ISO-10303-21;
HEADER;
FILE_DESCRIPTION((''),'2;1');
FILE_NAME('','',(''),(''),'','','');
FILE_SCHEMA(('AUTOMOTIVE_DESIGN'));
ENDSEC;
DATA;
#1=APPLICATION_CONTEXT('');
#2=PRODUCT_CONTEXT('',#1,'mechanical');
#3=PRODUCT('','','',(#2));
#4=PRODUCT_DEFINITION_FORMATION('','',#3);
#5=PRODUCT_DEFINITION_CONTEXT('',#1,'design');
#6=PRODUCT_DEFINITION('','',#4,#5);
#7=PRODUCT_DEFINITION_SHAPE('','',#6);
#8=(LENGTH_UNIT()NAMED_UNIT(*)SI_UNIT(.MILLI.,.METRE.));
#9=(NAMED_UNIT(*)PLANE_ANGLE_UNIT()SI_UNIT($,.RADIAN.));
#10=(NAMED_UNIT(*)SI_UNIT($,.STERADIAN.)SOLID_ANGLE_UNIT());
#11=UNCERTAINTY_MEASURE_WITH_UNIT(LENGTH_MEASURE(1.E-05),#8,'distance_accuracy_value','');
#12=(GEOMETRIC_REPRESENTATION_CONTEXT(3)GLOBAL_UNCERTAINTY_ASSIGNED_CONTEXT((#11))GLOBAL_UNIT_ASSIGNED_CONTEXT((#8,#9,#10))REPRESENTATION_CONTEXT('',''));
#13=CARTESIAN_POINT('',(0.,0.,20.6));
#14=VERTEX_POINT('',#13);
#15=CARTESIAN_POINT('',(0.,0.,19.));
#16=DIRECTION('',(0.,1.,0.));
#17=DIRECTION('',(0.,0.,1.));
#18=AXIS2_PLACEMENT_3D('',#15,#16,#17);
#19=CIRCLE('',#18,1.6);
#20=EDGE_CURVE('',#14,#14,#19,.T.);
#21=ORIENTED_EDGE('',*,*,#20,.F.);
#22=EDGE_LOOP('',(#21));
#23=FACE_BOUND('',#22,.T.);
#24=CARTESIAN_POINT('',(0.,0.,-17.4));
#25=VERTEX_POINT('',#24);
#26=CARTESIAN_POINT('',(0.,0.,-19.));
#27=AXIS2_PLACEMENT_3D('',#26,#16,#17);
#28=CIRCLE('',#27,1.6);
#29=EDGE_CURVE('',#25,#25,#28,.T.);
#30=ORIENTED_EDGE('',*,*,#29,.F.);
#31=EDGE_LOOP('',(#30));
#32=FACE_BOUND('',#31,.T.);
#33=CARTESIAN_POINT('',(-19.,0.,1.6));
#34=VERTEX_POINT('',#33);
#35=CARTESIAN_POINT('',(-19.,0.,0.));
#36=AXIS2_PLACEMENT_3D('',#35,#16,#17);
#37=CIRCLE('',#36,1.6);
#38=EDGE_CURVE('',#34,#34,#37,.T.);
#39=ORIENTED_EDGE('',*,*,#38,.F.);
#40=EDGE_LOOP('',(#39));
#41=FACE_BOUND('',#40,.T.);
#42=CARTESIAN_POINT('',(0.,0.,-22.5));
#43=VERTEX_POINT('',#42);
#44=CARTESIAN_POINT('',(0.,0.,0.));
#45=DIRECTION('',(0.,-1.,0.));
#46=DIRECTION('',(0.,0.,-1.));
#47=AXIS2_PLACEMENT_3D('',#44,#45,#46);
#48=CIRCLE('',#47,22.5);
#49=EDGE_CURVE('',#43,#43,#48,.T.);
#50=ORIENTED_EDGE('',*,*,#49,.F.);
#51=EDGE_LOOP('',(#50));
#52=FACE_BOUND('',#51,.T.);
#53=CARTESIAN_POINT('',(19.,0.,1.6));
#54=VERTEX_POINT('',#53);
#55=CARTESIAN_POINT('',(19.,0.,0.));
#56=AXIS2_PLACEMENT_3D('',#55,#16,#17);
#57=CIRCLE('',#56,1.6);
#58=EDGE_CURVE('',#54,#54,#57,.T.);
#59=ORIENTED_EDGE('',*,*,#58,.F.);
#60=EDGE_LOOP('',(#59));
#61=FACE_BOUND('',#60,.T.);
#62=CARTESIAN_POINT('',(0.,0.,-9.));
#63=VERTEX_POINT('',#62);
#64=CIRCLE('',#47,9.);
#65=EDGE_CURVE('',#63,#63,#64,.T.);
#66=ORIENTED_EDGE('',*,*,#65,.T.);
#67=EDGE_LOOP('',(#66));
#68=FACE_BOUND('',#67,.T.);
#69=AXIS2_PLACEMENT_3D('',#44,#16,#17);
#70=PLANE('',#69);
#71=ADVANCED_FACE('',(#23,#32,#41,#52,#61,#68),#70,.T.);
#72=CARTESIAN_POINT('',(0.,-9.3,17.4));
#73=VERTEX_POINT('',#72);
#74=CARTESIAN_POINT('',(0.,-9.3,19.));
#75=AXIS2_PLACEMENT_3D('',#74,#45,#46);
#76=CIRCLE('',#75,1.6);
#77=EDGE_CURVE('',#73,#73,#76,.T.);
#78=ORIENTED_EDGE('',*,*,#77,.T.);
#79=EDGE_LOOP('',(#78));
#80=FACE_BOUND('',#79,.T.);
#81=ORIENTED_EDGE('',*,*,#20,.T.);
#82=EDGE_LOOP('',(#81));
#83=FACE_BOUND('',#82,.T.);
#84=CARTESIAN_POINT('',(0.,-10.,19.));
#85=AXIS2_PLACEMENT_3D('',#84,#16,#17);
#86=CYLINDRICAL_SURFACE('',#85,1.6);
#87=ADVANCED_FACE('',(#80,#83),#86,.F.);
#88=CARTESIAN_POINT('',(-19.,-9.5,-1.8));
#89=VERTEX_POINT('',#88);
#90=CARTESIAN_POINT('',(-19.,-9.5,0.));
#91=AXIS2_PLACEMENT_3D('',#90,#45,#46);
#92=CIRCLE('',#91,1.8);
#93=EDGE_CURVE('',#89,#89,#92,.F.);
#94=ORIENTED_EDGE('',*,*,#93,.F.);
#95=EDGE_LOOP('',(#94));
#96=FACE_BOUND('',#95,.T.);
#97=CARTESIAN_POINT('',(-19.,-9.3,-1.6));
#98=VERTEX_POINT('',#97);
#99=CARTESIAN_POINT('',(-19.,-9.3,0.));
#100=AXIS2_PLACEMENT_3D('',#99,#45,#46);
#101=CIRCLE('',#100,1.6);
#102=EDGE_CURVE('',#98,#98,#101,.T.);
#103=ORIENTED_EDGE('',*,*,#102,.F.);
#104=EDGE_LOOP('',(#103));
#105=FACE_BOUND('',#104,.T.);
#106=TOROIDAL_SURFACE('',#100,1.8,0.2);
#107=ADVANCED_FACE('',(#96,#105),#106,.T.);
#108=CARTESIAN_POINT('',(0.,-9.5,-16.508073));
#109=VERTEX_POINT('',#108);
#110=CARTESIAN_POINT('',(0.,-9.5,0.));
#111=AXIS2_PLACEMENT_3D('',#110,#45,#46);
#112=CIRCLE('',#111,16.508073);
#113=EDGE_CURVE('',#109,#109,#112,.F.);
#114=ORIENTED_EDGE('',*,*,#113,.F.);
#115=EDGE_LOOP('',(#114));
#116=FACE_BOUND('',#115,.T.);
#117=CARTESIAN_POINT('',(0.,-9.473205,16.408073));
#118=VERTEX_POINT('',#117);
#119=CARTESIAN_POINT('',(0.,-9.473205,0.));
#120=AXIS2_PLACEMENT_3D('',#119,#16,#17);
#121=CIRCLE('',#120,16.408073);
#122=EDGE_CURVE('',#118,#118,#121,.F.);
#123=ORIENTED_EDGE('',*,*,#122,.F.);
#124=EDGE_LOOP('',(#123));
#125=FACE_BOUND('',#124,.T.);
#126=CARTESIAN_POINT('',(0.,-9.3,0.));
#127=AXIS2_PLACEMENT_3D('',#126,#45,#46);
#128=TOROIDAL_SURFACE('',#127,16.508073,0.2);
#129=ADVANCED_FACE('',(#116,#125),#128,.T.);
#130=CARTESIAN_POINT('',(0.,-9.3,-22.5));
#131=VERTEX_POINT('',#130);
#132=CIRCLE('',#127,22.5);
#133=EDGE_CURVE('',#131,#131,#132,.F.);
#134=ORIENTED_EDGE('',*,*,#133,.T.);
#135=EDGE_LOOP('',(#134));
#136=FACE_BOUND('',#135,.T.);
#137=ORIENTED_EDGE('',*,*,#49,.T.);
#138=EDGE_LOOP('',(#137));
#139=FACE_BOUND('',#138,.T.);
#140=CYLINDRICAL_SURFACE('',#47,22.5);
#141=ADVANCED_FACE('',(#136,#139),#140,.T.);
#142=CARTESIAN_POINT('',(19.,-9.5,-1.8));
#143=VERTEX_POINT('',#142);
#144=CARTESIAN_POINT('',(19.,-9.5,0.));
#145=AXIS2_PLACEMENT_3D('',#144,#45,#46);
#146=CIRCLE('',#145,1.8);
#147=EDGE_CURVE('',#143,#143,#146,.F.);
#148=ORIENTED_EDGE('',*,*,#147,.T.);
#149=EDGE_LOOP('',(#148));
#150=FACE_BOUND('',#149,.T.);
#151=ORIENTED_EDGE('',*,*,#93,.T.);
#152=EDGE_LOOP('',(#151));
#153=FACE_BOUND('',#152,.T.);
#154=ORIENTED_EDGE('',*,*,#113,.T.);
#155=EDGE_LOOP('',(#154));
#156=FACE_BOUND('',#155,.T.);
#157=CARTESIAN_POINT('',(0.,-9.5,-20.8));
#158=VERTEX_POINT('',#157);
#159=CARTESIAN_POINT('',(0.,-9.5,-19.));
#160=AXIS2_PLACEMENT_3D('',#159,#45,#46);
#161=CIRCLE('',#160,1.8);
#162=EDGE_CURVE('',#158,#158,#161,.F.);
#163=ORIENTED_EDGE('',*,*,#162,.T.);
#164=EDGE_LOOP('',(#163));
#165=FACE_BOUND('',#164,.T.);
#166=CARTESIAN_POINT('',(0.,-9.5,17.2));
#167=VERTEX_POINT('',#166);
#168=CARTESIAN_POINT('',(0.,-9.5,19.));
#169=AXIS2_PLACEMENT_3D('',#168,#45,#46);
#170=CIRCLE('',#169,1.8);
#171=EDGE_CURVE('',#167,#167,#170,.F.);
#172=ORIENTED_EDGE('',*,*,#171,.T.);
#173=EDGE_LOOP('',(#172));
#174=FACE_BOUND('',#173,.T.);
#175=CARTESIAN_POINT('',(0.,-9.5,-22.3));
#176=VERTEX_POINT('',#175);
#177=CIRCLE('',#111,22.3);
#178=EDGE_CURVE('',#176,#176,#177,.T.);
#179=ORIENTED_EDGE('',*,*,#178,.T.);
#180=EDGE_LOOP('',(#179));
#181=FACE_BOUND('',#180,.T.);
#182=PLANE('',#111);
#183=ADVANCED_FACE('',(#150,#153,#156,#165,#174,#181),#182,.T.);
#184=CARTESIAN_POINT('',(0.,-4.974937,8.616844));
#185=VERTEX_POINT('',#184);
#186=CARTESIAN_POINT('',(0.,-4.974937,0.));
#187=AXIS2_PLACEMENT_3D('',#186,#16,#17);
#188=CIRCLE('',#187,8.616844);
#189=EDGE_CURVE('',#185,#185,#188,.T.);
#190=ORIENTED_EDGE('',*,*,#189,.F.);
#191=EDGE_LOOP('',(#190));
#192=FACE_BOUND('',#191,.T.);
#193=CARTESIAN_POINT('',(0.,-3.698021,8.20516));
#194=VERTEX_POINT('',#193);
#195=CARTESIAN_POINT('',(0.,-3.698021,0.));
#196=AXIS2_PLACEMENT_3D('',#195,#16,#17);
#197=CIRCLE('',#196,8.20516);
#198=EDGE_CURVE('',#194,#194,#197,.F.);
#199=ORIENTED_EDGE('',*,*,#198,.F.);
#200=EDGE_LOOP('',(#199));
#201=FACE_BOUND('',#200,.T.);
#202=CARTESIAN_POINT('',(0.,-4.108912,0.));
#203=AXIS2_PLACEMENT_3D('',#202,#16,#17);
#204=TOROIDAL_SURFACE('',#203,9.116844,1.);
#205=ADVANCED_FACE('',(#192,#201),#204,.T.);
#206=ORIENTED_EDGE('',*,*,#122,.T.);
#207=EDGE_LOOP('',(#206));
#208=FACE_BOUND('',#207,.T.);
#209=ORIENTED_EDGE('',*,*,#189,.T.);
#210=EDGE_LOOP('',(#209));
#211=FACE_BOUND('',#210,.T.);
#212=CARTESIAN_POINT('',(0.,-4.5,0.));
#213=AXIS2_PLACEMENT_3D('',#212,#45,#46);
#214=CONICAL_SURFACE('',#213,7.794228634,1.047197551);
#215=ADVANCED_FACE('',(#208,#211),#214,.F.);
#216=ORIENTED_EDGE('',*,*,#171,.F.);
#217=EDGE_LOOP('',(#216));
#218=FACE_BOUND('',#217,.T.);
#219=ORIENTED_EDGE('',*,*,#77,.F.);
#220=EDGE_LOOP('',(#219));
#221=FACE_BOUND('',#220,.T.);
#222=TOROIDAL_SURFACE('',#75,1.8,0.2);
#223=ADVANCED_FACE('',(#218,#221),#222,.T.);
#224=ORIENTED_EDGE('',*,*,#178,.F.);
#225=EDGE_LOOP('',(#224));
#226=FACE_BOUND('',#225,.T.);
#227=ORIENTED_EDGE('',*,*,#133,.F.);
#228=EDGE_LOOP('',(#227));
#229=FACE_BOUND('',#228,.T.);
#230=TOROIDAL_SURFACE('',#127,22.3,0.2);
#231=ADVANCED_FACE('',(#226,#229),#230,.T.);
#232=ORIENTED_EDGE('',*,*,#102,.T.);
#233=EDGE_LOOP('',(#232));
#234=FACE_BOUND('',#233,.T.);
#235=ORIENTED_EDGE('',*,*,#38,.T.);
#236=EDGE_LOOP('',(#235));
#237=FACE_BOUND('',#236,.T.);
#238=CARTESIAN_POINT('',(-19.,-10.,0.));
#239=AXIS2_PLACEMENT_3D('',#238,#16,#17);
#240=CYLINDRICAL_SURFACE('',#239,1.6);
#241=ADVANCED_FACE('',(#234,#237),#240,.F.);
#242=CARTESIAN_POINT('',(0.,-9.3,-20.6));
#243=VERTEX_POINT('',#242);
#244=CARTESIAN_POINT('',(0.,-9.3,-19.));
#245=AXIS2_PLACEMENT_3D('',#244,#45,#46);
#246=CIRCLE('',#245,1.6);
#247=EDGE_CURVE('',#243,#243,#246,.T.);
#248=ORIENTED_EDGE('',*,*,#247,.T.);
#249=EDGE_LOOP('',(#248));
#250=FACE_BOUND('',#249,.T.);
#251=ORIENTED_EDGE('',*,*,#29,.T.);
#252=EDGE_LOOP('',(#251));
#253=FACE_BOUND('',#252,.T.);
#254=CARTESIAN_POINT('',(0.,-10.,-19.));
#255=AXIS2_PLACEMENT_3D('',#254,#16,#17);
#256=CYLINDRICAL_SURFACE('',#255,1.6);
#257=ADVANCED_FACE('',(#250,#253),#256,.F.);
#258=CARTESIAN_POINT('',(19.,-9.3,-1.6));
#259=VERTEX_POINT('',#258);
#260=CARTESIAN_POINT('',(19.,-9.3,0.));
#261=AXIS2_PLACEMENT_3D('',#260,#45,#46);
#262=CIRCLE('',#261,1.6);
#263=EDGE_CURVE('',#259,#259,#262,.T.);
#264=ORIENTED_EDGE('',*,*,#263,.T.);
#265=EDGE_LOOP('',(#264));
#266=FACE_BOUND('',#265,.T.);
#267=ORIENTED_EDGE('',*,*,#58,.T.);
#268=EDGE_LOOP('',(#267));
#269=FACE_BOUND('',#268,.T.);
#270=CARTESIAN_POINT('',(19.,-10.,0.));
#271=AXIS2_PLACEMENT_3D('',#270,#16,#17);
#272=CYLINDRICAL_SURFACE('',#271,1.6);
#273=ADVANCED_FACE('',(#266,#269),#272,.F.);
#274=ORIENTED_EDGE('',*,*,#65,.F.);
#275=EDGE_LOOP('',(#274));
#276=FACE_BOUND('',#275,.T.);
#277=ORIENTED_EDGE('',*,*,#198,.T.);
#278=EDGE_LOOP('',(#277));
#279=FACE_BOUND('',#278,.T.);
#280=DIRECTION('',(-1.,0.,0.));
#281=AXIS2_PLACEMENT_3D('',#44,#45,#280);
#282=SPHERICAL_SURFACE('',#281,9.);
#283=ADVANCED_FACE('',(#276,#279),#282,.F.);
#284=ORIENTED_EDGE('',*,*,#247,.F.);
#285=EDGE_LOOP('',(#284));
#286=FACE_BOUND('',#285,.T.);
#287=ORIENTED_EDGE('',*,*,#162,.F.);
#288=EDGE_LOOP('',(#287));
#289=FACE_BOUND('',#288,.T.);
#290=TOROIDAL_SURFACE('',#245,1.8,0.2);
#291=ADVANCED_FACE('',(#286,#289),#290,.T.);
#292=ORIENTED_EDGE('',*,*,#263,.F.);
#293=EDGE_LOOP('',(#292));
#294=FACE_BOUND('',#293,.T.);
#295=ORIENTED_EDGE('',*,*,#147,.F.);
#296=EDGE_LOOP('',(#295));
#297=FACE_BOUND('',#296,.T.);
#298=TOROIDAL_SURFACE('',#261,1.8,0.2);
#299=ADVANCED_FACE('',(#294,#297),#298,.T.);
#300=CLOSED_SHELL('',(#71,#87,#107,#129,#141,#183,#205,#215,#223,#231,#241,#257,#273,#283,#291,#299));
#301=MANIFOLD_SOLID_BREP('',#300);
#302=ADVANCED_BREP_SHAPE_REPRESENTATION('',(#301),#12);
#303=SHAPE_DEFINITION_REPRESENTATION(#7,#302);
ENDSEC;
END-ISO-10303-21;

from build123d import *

# Parameters (mm, degrees)
SKETCH2_R          = 1.6
CUT_EXTRUDE1_DEPTH = 10
FILLET1_R          = 0.2
FILLET2_R          = 1


with BuildPart() as part:
    # Sketch1 → Revolve1 (revolve)
    with BuildSketch(Plane.XY):
        with BuildLine():
            ThreePointArc((-7.794228634, -4.5), (-8.693332437, -2.329371406), (-9, 0))
            Line((-9, 0), (-22.5, 0))
            Line((-22.5, 0), (-22.5, -9.5))
            Line((-22.5, -9.5), (-16.454482672, -9.5))
            Line((-16.454482672, -9.5), (-7.794228634, -4.5))
        make_face()
    revolve(axis=Axis((0, 0, 0), (0, 1, 0)))

    # Sketch2 → Cut-Extrude1 (cut)
    with BuildSketch(Plane(origin=(0, 0, 0), x_dir=(1, 0, 0), z_dir=(0, 1, 0))):
        with Locations((-19, 0)):
            Circle(SKETCH2_R)
        with Locations((0, 19)):
            Circle(SKETCH2_R)
        with Locations((19, 0)):
            Circle(SKETCH2_R)
        with Locations((0, -19)):
            Circle(SKETCH2_R)
    extrude(amount=-CUT_EXTRUDE1_DEPTH, mode=Mode.SUBTRACT)

    # Fillet1
    fillet1_edges = [part.edges().sort_by_distance(p)[0] for p in [
        (16.454482672, -9.5, 0),
        (22.5, -9.5, 0),
        (-20.6, -9.5, 0),
        (-1.6, -9.5, -19),
        (17.4, -9.5, 0),
        (-1.6, -9.5, 19),
    ]]
    fillet(fillet1_edges, radius=FILLET1_R)

    # Fillet2
    fillet2_edges = [part.edges().sort_by_distance(p)[0] for p in [
        (7.794228634, -4.5, 0),
    ]]
    fillet(fillet2_edges, radius=FILLET2_R)


solid = part.part
